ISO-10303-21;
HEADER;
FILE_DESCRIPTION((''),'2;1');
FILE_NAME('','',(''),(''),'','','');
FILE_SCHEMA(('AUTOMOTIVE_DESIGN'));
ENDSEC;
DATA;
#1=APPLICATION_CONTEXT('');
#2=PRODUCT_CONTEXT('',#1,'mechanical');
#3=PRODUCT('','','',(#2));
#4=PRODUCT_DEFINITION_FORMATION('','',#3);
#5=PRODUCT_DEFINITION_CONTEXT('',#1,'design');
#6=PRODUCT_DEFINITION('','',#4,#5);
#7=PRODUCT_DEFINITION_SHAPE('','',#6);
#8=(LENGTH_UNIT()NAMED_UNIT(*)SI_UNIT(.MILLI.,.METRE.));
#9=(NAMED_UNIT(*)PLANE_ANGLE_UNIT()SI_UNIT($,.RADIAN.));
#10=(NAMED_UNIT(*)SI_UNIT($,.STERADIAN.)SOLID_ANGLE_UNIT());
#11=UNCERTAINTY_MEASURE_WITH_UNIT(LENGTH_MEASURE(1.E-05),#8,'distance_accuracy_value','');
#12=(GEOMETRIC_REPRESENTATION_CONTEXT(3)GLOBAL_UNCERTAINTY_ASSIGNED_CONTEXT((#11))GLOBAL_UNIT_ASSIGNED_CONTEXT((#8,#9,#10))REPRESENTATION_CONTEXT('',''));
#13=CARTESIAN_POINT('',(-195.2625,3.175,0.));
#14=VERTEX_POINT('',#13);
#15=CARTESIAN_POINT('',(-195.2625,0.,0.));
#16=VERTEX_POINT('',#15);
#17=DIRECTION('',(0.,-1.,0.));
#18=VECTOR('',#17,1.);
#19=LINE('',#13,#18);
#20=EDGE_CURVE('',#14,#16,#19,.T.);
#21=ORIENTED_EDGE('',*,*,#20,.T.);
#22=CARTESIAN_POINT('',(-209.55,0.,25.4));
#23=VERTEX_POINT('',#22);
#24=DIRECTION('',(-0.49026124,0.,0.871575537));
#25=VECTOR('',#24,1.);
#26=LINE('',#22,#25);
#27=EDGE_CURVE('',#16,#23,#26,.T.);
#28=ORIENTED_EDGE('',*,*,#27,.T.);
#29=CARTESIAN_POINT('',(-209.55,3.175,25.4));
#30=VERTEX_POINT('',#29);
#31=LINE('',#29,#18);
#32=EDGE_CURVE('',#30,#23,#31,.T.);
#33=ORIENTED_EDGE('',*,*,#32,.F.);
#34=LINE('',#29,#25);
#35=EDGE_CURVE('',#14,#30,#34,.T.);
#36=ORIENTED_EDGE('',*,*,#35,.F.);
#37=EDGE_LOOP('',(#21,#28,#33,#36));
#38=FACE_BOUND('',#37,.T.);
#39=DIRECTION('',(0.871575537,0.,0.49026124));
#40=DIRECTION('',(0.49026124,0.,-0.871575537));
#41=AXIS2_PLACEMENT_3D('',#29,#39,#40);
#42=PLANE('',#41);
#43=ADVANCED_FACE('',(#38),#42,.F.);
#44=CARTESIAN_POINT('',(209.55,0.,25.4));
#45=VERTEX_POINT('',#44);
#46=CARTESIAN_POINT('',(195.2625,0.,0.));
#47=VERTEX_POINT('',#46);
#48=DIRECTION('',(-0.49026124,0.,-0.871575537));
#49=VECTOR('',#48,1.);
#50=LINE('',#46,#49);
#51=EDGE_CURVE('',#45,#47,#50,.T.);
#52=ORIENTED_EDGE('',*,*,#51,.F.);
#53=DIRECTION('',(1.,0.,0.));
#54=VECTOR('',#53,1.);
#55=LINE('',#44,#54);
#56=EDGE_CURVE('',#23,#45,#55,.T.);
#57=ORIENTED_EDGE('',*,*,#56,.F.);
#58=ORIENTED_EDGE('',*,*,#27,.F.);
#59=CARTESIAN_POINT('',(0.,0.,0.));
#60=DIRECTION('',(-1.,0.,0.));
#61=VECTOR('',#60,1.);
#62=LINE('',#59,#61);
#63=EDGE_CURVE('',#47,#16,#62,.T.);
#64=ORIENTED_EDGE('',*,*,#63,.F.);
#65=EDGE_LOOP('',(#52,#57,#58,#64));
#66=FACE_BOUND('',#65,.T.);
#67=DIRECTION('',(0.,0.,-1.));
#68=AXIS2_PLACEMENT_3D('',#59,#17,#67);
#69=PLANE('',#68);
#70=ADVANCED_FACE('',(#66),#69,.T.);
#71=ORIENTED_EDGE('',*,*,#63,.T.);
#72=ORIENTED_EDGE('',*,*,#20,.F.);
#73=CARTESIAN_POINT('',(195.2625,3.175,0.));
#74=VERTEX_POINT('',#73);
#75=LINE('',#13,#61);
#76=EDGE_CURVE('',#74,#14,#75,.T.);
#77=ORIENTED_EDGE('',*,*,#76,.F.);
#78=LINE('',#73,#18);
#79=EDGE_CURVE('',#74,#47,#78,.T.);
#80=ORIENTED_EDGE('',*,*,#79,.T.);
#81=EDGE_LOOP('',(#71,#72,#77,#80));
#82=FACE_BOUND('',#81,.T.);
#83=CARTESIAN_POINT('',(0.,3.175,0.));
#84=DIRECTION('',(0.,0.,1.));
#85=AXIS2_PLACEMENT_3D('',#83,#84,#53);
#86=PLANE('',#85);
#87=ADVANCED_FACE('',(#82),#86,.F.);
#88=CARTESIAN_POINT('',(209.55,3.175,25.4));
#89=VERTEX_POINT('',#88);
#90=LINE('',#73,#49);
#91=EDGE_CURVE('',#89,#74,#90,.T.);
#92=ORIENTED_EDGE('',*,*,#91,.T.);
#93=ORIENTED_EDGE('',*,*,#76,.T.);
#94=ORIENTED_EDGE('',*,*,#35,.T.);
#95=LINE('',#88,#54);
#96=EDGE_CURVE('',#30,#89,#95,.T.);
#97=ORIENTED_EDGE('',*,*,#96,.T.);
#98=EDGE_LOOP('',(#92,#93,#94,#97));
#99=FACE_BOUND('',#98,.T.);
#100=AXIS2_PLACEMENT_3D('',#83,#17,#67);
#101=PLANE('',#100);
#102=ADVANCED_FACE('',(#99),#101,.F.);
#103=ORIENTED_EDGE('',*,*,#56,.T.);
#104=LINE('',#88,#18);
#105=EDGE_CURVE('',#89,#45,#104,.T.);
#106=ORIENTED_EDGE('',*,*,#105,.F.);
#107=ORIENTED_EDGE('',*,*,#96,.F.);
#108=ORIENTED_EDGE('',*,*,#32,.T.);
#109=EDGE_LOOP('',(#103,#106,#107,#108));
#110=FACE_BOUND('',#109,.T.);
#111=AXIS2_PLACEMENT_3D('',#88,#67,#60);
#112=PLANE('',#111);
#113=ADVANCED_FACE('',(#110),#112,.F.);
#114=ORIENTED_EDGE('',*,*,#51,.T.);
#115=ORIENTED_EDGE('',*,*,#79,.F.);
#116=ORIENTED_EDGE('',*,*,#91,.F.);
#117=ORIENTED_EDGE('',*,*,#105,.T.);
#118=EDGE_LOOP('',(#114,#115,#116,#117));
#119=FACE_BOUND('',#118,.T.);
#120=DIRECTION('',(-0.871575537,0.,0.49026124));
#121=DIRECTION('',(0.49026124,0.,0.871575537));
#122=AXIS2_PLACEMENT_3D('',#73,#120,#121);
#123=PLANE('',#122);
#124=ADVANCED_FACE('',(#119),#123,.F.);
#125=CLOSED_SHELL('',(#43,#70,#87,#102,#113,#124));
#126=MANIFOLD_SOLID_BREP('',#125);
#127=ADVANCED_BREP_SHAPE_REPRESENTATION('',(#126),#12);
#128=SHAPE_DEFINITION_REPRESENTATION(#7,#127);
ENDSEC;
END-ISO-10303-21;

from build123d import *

# Parameters (mm, degrees)
BOSS_EXTRUDE1_DEPTH = 3.175


with BuildPart() as part:
    # Sketch1 → Boss-Extrude1 (new body)
    with BuildSketch(Plane(origin=(0, 0, 0), x_dir=(1, 0, 0), z_dir=(0, 1, 0))):
        Polygon((0, 0), (195.2625, 0), (209.55, -25.4), (-209.55, -25.4), (-195.2625, 0), align=None)
    extrude(amount=BOSS_EXTRUDE1_DEPTH)


solid = part.part
